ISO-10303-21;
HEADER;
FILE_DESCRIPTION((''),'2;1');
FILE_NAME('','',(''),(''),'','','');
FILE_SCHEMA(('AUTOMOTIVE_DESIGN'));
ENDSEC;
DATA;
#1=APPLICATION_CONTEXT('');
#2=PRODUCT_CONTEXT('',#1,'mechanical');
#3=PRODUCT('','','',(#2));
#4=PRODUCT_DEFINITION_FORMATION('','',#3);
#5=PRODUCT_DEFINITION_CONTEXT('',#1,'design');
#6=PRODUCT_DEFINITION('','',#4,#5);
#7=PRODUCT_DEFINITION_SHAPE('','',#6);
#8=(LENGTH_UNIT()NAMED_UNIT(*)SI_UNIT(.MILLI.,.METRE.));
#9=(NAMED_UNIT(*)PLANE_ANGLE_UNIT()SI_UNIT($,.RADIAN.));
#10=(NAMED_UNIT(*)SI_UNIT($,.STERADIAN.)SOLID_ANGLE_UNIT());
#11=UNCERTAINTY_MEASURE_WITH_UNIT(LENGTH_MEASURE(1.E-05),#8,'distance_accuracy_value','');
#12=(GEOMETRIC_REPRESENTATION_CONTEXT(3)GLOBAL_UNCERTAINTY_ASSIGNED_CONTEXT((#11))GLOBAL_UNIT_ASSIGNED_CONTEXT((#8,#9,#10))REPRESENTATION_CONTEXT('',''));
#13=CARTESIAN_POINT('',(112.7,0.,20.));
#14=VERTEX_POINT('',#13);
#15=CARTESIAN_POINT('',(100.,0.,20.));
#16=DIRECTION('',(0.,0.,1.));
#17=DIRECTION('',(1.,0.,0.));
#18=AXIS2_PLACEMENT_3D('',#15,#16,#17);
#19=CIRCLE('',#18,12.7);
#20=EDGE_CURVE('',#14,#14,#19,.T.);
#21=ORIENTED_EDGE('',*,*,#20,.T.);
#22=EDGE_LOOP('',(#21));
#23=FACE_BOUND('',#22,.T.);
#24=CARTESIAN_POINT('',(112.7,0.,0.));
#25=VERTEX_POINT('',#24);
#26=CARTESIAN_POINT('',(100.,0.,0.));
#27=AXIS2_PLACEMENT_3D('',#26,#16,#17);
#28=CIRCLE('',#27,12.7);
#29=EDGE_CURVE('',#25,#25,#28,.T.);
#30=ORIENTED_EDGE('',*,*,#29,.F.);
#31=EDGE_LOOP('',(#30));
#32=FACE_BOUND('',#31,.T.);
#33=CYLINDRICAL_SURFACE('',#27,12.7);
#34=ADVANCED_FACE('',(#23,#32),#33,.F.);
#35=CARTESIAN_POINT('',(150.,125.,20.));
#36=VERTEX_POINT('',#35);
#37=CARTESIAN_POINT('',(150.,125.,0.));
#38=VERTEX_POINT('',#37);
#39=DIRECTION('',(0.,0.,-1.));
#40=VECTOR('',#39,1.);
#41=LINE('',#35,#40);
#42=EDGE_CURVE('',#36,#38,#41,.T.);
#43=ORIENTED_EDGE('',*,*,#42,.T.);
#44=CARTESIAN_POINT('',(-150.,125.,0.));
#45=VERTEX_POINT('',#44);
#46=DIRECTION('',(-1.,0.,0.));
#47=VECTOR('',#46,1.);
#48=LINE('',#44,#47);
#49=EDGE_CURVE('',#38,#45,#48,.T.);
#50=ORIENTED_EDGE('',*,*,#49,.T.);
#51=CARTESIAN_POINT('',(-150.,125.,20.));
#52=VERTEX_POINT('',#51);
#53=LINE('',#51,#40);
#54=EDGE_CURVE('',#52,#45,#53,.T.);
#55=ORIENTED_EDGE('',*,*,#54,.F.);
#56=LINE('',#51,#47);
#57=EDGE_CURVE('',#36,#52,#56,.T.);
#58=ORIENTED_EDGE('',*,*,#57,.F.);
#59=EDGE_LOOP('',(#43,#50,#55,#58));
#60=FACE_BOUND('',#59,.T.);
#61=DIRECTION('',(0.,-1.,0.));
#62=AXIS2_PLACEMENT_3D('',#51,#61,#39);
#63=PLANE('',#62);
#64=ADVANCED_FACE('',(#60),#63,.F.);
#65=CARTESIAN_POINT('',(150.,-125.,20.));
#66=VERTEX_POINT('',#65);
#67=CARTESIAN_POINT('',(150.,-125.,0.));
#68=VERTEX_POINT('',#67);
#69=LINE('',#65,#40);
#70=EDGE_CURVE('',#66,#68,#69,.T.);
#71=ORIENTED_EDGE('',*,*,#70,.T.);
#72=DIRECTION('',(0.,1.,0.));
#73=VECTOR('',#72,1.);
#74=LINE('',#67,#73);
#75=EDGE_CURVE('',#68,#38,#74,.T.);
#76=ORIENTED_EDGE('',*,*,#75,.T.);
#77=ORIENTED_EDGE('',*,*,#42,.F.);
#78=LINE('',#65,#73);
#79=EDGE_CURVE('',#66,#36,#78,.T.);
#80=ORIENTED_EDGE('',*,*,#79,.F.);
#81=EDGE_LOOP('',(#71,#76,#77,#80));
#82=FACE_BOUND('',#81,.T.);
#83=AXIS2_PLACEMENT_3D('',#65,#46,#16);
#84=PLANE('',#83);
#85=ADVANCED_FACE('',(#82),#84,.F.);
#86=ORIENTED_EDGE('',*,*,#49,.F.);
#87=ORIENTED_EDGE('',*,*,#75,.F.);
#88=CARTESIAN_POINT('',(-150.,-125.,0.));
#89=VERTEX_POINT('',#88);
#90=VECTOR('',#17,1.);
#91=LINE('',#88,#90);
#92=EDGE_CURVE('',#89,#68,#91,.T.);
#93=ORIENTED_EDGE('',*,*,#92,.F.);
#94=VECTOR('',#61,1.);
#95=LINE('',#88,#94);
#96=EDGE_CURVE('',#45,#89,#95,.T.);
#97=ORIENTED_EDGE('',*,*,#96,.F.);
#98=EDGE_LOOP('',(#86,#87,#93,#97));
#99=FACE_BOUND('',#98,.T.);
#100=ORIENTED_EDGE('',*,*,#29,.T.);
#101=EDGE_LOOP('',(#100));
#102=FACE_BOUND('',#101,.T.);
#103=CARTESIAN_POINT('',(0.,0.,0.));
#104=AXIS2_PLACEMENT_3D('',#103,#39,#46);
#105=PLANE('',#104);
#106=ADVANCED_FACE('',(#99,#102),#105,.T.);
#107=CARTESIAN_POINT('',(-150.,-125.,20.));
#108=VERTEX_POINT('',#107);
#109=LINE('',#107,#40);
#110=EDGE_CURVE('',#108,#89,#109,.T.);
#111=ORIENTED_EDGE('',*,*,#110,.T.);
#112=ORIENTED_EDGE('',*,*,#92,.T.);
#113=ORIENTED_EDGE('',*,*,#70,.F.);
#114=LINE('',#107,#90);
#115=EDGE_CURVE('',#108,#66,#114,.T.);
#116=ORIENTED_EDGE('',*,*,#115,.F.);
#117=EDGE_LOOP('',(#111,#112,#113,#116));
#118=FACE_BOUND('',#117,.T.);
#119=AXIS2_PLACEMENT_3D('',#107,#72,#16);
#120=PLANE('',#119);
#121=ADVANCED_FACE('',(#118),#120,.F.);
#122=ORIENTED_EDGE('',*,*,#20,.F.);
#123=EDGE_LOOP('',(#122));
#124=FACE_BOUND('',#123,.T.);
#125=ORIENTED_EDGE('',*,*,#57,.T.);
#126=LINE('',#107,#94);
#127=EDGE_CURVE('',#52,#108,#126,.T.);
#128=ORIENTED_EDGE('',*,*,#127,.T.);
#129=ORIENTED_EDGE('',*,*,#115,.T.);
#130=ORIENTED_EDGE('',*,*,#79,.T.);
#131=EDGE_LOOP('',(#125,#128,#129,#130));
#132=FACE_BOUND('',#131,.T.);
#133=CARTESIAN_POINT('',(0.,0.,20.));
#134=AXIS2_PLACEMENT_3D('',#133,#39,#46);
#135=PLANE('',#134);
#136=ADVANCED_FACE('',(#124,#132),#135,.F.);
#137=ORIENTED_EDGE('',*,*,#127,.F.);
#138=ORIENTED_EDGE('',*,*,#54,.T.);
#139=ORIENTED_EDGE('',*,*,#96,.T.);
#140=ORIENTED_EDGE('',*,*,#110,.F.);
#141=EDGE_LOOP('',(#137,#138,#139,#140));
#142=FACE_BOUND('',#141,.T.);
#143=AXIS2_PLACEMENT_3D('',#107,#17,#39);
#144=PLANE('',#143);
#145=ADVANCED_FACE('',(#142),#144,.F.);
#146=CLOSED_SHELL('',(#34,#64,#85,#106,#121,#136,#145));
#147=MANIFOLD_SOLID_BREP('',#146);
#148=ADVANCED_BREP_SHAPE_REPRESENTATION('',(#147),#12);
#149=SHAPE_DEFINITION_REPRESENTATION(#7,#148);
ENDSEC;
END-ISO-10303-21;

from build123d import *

# Parameters (mm, degrees)
SKETCH1_W           = 300
SKETCH1_H           = 250
BOSS_EXTRUDE1_DEPTH = 20
SKETCH2_R           = 12.7
CUT_EXTRUDE1_DEPTH  = 20


with BuildPart() as part:
    # Sketch1 → Boss-Extrude1 (new body)
    with BuildSketch(Plane.XY):
        Rectangle(SKETCH1_W, SKETCH1_H)
    extrude(amount=BOSS_EXTRUDE1_DEPTH)

    # Sketch2 → Cut-Extrude1 (cut)
    with BuildSketch(Plane.XY.offset(20)):
        with Locations((100, 0)):
            Circle(SKETCH2_R)
    extrude(amount=-CUT_EXTRUDE1_DEPTH, mode=Mode.SUBTRACT)


solid = part.part
